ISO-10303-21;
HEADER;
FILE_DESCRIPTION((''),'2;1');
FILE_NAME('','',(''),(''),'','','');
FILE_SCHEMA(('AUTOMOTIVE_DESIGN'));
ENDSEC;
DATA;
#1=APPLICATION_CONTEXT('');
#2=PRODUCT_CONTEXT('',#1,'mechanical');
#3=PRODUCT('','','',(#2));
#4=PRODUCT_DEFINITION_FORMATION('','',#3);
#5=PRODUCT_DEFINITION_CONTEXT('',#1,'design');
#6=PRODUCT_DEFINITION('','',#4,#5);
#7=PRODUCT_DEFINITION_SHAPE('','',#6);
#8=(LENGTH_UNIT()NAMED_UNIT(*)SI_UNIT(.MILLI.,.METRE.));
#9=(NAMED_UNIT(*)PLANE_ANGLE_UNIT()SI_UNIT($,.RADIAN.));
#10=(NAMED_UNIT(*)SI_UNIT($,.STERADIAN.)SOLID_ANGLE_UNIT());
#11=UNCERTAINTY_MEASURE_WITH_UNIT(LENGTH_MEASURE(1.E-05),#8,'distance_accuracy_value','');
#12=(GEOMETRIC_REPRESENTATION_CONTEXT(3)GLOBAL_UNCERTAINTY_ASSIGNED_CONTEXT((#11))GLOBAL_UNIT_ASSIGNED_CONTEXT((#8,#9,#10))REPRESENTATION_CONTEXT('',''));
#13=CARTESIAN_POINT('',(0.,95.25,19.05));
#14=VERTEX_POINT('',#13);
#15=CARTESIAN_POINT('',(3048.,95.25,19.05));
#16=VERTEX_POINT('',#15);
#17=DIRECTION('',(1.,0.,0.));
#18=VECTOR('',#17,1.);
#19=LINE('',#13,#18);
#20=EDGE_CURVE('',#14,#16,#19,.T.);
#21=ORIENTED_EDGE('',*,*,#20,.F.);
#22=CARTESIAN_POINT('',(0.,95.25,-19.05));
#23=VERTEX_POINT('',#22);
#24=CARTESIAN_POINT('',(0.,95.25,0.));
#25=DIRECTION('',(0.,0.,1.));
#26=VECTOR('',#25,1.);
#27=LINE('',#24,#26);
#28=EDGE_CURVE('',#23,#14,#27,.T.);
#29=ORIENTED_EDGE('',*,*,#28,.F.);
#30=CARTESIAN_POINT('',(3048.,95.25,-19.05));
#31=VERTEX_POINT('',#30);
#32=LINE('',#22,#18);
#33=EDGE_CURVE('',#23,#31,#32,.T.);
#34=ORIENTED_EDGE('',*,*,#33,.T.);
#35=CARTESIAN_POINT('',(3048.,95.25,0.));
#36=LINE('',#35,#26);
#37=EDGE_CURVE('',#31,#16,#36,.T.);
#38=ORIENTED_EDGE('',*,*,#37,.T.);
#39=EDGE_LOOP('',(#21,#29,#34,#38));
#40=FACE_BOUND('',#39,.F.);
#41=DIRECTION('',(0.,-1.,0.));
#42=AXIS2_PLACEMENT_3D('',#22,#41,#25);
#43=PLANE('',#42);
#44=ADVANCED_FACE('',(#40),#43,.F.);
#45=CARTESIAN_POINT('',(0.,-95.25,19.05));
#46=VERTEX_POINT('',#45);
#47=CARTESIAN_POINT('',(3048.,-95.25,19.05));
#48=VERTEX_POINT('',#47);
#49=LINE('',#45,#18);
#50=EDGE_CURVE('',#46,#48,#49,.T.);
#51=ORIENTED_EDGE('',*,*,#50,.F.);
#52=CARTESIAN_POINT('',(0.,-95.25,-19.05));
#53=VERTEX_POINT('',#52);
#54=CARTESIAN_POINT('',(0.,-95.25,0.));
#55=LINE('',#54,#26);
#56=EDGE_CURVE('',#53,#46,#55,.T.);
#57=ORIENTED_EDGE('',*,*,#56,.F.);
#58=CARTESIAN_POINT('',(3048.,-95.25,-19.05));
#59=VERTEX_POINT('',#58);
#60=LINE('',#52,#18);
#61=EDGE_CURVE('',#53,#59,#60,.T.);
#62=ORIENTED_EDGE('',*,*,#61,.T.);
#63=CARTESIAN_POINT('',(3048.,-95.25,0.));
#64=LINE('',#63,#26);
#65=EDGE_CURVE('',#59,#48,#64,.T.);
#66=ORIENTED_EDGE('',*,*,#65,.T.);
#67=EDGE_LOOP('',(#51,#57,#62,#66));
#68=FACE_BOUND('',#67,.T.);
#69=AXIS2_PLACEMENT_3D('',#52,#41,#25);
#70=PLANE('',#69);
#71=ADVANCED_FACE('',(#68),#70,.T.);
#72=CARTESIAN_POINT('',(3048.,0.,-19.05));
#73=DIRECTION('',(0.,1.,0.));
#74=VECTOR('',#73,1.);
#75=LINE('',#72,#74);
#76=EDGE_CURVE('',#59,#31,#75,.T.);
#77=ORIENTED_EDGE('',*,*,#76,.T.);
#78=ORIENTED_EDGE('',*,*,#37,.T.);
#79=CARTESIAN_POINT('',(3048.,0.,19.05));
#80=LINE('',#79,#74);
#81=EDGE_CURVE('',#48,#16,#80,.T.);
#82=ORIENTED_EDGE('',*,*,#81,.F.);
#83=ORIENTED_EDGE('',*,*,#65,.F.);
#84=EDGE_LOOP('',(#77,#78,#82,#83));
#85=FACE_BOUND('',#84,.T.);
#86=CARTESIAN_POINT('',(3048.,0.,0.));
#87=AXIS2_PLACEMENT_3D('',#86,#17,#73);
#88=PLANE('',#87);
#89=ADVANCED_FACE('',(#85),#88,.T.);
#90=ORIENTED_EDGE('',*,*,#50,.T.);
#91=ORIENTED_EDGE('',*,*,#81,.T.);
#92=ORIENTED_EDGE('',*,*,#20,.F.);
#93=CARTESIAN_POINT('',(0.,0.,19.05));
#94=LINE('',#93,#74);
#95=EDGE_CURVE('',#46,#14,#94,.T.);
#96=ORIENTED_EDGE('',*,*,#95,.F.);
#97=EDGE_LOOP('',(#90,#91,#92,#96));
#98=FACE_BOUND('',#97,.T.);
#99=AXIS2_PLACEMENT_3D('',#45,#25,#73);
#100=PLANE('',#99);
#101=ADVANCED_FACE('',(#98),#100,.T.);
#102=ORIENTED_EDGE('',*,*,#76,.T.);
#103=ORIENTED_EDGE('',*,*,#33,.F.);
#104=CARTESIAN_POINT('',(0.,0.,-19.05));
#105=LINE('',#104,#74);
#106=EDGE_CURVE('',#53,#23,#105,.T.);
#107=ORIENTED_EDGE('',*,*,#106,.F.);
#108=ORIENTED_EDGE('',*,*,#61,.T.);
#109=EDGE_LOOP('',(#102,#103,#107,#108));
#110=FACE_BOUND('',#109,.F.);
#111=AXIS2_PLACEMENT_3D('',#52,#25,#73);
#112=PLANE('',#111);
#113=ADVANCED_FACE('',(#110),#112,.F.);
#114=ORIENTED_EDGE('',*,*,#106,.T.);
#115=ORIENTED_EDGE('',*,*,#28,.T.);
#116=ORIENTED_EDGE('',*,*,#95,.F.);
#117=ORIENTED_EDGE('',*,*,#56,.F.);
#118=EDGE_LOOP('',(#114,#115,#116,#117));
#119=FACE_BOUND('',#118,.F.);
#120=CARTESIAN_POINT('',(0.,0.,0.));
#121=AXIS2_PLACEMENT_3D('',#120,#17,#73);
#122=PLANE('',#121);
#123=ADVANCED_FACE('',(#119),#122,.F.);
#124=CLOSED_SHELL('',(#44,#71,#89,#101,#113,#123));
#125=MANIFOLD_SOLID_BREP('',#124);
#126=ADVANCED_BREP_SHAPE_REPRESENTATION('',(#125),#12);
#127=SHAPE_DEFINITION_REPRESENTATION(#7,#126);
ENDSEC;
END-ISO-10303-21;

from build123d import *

# Parameters (mm, degrees)
F0_W     = 190.5
F0_H     = 38.1
F1_DEPTH = 3048


with BuildPart() as f1:
    # F0 (on Right) → F1 (new body)
    with BuildSketch(Plane.YZ):
        Rectangle(F0_W, F0_H)
    extrude(amount=F1_DEPTH)


solid = f1.part
